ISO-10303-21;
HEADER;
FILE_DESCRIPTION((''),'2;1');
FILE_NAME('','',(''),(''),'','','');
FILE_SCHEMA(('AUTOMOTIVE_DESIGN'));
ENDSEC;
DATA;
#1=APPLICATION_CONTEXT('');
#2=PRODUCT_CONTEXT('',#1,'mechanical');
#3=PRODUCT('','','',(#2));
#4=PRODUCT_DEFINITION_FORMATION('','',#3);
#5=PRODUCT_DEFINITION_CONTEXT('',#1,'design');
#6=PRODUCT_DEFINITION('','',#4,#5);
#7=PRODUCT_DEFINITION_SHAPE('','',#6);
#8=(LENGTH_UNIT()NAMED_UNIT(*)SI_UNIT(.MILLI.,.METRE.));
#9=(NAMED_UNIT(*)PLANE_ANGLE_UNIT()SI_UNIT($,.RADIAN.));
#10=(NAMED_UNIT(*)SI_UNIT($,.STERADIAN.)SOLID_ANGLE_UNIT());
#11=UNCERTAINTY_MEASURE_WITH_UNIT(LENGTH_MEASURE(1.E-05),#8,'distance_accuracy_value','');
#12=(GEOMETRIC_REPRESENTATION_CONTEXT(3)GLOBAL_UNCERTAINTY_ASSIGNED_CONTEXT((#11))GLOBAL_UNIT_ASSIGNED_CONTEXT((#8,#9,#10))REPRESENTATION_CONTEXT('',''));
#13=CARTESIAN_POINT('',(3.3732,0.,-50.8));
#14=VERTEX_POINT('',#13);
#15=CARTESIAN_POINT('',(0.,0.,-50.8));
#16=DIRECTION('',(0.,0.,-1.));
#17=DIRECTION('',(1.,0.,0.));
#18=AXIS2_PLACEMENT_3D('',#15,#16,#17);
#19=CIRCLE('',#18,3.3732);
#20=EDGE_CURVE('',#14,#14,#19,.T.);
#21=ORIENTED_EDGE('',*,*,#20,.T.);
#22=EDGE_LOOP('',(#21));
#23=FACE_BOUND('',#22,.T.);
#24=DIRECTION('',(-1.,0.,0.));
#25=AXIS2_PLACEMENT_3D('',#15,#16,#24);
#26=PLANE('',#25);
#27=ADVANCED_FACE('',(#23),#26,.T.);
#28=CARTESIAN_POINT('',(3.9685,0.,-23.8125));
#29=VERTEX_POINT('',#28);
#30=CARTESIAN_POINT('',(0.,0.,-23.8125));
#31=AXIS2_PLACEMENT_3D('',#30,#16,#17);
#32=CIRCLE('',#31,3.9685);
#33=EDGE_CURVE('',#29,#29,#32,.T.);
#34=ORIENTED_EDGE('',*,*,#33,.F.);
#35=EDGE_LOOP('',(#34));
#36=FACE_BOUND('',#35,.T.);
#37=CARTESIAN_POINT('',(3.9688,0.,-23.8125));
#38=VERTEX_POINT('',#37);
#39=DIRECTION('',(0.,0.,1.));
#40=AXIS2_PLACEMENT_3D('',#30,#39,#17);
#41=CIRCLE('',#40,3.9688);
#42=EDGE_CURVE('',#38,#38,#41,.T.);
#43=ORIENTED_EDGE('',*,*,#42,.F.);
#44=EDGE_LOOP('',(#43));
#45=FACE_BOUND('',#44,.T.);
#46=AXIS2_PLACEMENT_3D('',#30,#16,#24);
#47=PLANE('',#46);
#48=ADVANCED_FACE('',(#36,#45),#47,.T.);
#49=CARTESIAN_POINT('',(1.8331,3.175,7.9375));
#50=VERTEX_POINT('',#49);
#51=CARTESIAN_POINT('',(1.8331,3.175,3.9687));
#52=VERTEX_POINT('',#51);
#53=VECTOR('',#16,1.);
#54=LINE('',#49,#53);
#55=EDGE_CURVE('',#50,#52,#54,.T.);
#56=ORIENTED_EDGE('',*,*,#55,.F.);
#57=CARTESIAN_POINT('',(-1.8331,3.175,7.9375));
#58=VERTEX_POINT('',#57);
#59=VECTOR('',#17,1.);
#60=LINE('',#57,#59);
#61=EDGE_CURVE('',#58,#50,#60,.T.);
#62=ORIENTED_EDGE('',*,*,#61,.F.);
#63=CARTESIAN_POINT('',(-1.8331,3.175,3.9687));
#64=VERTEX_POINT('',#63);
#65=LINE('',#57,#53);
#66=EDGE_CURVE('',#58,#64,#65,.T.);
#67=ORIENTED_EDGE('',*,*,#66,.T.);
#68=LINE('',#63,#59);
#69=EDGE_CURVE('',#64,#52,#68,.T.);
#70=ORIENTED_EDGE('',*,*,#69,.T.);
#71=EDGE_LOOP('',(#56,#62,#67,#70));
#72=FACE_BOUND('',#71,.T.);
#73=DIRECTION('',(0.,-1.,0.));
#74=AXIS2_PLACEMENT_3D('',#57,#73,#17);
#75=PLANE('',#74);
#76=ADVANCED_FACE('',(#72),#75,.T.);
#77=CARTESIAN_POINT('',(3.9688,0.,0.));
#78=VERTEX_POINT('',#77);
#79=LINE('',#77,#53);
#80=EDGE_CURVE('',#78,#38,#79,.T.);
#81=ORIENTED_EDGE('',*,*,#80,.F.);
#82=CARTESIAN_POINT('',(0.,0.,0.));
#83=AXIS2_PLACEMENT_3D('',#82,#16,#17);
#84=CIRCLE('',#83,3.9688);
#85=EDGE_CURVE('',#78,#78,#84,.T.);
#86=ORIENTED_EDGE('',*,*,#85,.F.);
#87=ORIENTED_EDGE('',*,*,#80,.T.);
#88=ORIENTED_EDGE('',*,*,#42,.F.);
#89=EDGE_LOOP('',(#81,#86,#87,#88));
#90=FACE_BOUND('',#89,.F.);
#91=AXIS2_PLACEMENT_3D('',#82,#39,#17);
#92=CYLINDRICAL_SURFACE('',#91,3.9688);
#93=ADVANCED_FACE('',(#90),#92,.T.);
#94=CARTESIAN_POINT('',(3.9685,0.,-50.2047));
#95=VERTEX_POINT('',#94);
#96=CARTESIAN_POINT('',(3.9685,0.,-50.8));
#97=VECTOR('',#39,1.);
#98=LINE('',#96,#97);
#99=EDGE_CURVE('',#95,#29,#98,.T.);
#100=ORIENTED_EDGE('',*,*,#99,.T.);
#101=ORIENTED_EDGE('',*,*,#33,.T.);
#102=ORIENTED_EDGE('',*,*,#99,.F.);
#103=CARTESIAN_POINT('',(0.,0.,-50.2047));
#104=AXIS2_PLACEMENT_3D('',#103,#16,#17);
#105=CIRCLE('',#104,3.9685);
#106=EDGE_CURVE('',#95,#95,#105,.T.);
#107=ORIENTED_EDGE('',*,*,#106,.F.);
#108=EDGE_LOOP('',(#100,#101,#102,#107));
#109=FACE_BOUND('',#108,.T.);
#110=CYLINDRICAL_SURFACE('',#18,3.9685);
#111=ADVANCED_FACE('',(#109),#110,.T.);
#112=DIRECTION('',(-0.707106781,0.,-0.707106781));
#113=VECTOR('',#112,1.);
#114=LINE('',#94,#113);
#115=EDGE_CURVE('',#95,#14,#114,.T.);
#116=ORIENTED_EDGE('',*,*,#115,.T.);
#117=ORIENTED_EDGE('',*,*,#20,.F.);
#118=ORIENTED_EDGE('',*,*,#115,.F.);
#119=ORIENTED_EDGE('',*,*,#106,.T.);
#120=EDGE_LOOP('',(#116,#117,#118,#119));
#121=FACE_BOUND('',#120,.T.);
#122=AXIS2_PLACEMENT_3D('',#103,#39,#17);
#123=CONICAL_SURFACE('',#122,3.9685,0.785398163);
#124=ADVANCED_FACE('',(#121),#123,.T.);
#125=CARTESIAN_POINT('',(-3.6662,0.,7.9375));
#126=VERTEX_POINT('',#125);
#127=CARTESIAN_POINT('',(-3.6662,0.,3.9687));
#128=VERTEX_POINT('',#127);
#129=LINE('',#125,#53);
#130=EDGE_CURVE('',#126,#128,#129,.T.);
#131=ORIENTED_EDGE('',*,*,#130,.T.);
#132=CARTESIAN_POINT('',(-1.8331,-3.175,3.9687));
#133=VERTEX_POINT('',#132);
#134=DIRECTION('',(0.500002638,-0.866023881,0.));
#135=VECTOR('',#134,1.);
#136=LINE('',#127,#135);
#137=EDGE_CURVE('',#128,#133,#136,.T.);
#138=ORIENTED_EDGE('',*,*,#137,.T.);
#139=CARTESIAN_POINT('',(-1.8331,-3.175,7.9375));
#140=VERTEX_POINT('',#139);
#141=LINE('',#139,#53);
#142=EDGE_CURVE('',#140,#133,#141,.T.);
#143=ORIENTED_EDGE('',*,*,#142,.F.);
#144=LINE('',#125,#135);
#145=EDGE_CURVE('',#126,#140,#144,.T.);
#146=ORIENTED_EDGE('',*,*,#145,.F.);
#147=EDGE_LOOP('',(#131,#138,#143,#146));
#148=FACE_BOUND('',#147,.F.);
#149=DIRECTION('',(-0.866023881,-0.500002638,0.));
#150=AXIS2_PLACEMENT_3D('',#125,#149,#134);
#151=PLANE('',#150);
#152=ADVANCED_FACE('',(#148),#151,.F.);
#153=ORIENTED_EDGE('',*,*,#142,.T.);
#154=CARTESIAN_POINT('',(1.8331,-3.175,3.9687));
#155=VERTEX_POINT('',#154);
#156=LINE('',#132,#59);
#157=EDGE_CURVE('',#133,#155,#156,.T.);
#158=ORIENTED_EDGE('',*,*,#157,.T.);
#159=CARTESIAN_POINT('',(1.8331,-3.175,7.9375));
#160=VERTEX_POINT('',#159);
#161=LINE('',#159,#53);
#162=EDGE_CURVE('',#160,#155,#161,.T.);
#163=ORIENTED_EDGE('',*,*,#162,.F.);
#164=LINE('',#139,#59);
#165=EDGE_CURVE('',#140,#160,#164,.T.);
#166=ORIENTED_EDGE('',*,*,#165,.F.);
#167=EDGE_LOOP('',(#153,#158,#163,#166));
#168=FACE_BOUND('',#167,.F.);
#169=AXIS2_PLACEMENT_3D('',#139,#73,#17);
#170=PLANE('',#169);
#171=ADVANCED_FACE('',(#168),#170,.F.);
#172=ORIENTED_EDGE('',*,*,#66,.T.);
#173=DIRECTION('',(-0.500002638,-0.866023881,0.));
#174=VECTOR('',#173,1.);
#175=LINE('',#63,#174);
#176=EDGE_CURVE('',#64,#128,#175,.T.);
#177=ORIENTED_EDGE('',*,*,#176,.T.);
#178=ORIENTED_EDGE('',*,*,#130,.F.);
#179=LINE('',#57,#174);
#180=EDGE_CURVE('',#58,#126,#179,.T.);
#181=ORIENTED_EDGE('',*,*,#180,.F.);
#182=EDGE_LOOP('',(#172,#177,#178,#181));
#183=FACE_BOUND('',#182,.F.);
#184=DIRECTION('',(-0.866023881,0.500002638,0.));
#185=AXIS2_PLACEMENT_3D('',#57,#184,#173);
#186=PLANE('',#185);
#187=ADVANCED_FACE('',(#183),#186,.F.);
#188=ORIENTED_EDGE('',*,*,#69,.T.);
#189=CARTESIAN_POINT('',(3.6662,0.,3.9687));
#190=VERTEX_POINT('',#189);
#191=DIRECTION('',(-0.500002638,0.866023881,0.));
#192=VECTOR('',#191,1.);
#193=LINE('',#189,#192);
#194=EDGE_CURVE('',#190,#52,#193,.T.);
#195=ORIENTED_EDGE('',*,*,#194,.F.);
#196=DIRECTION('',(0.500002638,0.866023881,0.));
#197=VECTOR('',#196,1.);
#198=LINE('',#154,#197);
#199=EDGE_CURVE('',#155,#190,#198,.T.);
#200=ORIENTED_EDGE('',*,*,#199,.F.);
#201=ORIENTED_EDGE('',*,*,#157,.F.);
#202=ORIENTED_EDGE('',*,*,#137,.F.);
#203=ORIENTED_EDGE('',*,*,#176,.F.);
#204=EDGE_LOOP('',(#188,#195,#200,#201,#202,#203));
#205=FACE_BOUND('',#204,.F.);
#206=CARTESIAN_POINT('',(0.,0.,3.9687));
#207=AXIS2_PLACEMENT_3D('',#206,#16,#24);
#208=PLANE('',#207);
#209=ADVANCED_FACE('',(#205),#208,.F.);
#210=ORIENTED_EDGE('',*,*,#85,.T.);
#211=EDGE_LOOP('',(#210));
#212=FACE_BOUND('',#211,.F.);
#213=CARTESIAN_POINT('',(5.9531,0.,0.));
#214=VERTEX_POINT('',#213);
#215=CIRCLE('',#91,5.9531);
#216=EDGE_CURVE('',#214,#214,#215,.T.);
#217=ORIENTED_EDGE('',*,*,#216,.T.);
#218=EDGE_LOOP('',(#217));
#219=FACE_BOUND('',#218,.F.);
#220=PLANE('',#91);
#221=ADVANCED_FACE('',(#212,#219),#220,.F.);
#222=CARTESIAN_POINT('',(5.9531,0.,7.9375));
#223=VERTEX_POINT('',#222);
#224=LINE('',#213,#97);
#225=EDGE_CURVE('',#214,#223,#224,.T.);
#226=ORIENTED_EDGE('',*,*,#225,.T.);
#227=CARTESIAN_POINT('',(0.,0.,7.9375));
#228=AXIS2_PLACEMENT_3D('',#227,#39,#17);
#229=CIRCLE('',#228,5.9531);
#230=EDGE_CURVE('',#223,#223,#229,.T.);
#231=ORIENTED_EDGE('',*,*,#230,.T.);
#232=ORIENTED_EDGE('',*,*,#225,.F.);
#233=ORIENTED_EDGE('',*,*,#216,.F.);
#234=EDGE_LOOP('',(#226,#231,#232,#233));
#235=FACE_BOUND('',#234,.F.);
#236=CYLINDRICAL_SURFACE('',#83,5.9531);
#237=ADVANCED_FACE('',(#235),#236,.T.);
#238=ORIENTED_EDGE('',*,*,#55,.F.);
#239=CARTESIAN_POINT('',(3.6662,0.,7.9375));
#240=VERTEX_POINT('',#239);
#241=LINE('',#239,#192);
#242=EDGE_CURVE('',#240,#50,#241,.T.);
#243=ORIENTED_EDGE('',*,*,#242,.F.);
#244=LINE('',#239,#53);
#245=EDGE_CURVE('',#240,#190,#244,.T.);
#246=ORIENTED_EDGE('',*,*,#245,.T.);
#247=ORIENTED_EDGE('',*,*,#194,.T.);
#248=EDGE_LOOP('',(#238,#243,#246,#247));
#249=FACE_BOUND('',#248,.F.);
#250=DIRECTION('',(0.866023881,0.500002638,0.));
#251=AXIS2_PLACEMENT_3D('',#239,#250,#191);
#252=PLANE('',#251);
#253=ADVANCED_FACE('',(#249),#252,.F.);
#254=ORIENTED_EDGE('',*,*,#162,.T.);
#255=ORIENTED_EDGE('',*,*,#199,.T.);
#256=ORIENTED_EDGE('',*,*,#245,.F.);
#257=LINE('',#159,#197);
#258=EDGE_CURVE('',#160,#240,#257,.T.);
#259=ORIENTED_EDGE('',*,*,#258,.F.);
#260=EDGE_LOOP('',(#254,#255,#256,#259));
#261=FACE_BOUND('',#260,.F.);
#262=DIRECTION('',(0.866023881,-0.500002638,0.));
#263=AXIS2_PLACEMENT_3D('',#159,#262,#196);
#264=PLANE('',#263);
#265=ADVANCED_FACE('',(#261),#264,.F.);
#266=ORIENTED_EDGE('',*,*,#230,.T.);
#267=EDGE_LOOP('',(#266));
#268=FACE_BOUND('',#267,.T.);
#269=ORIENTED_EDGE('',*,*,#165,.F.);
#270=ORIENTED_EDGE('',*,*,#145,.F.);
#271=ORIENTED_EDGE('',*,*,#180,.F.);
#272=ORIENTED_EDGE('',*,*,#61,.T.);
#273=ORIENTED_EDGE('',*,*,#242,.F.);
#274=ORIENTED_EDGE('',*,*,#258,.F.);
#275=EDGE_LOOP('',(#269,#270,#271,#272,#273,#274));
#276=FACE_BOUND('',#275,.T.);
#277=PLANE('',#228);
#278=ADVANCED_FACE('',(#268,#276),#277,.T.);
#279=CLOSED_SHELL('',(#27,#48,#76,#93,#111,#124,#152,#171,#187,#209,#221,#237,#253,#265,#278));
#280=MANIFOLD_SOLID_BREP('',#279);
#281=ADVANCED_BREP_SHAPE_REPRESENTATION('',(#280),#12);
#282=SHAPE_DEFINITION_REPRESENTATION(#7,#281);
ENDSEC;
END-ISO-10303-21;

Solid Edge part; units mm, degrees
sketch "Sketch1" plane through (0, 0, 0) normal (0, 0, 1) x (1, 0, 0)
  circle A0 centre (0, 0) radius 5.9531
  dimension "D1" = 11.9062
extrude "Protrusion1" add sketch "Sketch1" along normal blind 7.9375
sketch "Sketch2" plane through (0, 0, 0) normal (0, 0, -1) x (1, 0, 0)
  circle A0 centre (0, 0) radius 3.9688
extrude "Protrusion2" add sketch "Sketch2" along normal blind 50.8
sketch "Sketch3" plane through (0, 0, -50.8) normal (0, 0, -1) x (1, 0, 0)
  circle A0 centre (0, 0) radius 3.9685
extrude "Cutout1" cut sketch "Sketch3" against normal blind 26.9875 flip side to cut
chamfer "Chamfer_1" distance 0.5953 angle 45 1 edges at (-3.9685, 0, -50.8)
sketch "Sketch4" plane through (0, 0, 7.9375) normal (0, 0, 1) x (1, 0, 0)
  line L0 (-1.8331, 3.175) -> (1.8331, 3.175)
  line L1 (3.6662, 0) -> (1.8331, 3.175)
  line L2 (1.8331, -3.175) -> (3.6662, 0)
  line L3 (-1.8331, -3.175) -> (1.8331, -3.175)
  line L4 (-3.6662, 0) -> (-1.8331, -3.175)
  line L5 (-1.8331, 3.175) -> (-3.6662, 0)
  dimension "D1" = 6.35
extrude "Cutout2" cut sketch "Sketch4" against normal blind 3.9688
properties part number "24102202"
